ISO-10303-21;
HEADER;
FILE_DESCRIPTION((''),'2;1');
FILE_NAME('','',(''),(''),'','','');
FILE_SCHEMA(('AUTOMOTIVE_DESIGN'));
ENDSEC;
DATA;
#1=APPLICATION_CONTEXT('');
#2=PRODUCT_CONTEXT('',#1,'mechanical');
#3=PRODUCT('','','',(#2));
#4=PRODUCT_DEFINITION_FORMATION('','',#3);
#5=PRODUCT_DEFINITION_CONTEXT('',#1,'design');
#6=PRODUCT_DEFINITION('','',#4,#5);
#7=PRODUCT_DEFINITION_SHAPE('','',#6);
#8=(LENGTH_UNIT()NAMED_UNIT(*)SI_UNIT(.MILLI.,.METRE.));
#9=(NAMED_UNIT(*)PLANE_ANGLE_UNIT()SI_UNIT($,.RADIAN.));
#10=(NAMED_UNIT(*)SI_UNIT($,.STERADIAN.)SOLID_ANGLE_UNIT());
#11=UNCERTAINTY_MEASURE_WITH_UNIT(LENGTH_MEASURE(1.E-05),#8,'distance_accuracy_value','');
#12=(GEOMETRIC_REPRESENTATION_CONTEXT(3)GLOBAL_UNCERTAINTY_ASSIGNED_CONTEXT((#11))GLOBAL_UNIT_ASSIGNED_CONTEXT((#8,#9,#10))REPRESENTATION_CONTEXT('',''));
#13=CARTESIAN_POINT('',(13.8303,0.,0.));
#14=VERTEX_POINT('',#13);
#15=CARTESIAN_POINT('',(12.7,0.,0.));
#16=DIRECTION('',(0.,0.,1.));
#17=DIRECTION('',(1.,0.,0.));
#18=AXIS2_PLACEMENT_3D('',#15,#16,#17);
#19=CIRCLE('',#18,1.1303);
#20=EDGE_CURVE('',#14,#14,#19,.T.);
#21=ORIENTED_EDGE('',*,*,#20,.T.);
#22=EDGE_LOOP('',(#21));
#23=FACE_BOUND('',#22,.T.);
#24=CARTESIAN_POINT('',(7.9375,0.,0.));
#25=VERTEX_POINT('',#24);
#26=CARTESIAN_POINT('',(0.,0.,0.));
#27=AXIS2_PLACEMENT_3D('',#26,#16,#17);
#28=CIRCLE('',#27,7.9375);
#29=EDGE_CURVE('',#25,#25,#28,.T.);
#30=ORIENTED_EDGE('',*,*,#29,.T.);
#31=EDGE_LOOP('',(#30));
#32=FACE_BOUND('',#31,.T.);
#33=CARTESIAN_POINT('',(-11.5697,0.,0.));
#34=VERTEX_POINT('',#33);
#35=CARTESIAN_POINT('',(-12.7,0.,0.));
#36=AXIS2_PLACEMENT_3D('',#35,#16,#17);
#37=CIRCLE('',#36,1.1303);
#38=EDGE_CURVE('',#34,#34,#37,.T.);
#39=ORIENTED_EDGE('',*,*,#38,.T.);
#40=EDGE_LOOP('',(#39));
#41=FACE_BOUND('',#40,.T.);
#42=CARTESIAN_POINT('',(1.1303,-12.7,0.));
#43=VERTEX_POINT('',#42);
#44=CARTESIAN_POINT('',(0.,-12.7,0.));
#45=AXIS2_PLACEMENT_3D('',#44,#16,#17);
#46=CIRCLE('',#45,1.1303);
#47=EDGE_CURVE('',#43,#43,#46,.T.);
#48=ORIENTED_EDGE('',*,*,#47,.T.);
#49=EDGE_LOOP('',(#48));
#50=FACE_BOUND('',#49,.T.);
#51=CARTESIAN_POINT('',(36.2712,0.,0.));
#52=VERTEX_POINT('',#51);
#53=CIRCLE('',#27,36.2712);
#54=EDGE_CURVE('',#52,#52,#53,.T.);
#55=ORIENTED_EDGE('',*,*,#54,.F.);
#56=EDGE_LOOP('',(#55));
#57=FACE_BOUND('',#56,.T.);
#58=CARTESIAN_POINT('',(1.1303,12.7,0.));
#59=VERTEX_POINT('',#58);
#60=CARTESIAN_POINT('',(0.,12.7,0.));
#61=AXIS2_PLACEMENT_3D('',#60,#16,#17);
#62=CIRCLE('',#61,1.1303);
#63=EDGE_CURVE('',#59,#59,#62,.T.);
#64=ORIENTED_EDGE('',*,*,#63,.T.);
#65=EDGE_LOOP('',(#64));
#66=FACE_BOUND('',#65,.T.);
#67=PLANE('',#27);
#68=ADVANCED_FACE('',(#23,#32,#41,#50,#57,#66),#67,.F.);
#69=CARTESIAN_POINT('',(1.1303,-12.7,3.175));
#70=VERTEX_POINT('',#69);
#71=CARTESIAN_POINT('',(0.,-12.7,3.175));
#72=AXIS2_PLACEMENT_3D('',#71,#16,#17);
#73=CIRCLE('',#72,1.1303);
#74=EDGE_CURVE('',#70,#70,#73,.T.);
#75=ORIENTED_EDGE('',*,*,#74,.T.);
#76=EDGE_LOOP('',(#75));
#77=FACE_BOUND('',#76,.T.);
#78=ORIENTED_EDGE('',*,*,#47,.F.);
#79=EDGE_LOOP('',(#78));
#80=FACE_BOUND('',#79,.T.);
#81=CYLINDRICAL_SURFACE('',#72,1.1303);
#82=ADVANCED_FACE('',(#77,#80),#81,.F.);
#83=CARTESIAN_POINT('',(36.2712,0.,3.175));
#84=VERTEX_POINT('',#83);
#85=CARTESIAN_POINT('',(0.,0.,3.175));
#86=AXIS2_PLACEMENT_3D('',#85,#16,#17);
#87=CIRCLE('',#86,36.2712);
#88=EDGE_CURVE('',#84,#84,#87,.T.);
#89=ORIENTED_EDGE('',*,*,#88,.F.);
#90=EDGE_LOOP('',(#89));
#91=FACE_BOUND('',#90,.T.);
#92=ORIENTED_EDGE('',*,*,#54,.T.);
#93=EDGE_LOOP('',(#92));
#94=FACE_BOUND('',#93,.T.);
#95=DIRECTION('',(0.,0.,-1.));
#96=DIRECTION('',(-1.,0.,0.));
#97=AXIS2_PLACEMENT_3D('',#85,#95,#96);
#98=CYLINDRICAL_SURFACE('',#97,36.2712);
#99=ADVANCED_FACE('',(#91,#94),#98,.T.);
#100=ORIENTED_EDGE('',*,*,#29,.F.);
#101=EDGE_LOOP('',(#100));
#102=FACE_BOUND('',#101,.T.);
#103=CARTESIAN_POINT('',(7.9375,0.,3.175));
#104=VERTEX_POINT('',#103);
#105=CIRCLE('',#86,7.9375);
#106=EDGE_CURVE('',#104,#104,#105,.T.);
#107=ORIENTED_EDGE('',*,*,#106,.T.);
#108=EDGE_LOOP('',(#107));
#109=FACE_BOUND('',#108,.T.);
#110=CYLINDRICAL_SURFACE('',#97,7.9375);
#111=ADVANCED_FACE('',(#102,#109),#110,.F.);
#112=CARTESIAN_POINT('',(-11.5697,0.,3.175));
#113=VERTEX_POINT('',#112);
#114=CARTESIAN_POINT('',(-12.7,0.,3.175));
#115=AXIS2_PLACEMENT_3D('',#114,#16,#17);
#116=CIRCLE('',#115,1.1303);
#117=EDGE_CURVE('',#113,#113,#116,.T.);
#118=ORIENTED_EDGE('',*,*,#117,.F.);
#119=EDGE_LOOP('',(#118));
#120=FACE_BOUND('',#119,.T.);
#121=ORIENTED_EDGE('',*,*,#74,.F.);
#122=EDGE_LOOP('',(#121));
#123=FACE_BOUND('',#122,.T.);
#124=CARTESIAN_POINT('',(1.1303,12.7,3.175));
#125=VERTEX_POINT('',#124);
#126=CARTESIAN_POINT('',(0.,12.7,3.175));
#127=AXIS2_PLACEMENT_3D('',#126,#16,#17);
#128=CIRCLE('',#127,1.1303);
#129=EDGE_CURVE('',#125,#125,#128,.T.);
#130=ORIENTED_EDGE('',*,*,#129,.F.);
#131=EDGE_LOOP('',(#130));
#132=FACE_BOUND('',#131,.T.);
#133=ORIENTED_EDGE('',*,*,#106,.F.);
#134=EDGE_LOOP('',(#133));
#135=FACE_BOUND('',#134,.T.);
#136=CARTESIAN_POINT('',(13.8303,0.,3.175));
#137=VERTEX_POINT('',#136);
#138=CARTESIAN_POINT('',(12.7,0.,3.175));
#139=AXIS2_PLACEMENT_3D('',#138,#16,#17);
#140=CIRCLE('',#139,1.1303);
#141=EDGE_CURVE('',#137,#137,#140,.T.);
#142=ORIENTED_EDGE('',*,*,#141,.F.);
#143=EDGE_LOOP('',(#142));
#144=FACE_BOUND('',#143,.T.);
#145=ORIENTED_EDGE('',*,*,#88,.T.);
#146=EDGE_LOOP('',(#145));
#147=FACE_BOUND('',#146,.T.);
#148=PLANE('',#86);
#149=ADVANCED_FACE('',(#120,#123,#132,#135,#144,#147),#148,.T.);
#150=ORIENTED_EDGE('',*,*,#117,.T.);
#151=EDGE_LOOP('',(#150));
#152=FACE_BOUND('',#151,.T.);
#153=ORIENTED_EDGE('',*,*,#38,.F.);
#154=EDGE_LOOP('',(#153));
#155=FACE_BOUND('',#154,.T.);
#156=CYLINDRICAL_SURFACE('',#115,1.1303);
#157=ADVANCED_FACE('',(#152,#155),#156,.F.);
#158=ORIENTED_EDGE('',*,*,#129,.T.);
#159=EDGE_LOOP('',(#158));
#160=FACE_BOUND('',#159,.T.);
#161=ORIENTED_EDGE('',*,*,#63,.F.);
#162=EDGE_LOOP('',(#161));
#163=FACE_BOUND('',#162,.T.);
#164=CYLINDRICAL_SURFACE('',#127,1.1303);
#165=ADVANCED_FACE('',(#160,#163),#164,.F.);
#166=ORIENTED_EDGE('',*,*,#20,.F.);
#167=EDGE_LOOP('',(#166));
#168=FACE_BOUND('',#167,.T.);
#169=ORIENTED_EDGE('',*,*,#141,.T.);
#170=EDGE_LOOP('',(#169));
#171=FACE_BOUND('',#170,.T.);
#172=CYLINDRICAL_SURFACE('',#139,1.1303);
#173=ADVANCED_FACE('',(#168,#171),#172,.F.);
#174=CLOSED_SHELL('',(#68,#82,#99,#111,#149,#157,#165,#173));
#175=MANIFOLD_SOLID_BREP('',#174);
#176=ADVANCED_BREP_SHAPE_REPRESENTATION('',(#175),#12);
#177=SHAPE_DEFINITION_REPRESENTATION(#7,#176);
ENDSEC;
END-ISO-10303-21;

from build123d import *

# Parameters (mm, degrees)
SKETCH1_R                     = 36.2712
SKETCH1_R_2                   = 7.9375
BOSS_EXTRUDE1_DEPTH           = 3.175
TAP_DRILL_FOR_4_40_TAP1_D     = 2.2606
TAP_DRILL_FOR_4_40_TAP1_DEPTH = 4
TAP_DRILL_FOR_4_40_TAP1_TIP   = 0.679152758


with BuildPart() as part:
    # Sketch1 → Boss-Extrude1 (new body)
    with BuildSketch(Plane.XY):
        Circle(SKETCH1_R)
        Circle(SKETCH1_R_2, mode=Mode.SUBTRACT)
    extrude(amount=BOSS_EXTRUDE1_DEPTH)

    # Tap Drill for #4-40 Tap1
    with Locations(Plane.XY.offset(3.175)):
        with Locations((0, 12.7), (0, -12.7), (12.7, 0), (-12.7, 0)):
            Hole(TAP_DRILL_FOR_4_40_TAP1_D / 2, depth=TAP_DRILL_FOR_4_40_TAP1_DEPTH)
            with Locations((0, 0, -(TAP_DRILL_FOR_4_40_TAP1_DEPTH + TAP_DRILL_FOR_4_40_TAP1_TIP / 2))):  # 118° drill point
                Cone(0, TAP_DRILL_FOR_4_40_TAP1_D / 2, TAP_DRILL_FOR_4_40_TAP1_TIP, mode=Mode.SUBTRACT)


solid = part.part
